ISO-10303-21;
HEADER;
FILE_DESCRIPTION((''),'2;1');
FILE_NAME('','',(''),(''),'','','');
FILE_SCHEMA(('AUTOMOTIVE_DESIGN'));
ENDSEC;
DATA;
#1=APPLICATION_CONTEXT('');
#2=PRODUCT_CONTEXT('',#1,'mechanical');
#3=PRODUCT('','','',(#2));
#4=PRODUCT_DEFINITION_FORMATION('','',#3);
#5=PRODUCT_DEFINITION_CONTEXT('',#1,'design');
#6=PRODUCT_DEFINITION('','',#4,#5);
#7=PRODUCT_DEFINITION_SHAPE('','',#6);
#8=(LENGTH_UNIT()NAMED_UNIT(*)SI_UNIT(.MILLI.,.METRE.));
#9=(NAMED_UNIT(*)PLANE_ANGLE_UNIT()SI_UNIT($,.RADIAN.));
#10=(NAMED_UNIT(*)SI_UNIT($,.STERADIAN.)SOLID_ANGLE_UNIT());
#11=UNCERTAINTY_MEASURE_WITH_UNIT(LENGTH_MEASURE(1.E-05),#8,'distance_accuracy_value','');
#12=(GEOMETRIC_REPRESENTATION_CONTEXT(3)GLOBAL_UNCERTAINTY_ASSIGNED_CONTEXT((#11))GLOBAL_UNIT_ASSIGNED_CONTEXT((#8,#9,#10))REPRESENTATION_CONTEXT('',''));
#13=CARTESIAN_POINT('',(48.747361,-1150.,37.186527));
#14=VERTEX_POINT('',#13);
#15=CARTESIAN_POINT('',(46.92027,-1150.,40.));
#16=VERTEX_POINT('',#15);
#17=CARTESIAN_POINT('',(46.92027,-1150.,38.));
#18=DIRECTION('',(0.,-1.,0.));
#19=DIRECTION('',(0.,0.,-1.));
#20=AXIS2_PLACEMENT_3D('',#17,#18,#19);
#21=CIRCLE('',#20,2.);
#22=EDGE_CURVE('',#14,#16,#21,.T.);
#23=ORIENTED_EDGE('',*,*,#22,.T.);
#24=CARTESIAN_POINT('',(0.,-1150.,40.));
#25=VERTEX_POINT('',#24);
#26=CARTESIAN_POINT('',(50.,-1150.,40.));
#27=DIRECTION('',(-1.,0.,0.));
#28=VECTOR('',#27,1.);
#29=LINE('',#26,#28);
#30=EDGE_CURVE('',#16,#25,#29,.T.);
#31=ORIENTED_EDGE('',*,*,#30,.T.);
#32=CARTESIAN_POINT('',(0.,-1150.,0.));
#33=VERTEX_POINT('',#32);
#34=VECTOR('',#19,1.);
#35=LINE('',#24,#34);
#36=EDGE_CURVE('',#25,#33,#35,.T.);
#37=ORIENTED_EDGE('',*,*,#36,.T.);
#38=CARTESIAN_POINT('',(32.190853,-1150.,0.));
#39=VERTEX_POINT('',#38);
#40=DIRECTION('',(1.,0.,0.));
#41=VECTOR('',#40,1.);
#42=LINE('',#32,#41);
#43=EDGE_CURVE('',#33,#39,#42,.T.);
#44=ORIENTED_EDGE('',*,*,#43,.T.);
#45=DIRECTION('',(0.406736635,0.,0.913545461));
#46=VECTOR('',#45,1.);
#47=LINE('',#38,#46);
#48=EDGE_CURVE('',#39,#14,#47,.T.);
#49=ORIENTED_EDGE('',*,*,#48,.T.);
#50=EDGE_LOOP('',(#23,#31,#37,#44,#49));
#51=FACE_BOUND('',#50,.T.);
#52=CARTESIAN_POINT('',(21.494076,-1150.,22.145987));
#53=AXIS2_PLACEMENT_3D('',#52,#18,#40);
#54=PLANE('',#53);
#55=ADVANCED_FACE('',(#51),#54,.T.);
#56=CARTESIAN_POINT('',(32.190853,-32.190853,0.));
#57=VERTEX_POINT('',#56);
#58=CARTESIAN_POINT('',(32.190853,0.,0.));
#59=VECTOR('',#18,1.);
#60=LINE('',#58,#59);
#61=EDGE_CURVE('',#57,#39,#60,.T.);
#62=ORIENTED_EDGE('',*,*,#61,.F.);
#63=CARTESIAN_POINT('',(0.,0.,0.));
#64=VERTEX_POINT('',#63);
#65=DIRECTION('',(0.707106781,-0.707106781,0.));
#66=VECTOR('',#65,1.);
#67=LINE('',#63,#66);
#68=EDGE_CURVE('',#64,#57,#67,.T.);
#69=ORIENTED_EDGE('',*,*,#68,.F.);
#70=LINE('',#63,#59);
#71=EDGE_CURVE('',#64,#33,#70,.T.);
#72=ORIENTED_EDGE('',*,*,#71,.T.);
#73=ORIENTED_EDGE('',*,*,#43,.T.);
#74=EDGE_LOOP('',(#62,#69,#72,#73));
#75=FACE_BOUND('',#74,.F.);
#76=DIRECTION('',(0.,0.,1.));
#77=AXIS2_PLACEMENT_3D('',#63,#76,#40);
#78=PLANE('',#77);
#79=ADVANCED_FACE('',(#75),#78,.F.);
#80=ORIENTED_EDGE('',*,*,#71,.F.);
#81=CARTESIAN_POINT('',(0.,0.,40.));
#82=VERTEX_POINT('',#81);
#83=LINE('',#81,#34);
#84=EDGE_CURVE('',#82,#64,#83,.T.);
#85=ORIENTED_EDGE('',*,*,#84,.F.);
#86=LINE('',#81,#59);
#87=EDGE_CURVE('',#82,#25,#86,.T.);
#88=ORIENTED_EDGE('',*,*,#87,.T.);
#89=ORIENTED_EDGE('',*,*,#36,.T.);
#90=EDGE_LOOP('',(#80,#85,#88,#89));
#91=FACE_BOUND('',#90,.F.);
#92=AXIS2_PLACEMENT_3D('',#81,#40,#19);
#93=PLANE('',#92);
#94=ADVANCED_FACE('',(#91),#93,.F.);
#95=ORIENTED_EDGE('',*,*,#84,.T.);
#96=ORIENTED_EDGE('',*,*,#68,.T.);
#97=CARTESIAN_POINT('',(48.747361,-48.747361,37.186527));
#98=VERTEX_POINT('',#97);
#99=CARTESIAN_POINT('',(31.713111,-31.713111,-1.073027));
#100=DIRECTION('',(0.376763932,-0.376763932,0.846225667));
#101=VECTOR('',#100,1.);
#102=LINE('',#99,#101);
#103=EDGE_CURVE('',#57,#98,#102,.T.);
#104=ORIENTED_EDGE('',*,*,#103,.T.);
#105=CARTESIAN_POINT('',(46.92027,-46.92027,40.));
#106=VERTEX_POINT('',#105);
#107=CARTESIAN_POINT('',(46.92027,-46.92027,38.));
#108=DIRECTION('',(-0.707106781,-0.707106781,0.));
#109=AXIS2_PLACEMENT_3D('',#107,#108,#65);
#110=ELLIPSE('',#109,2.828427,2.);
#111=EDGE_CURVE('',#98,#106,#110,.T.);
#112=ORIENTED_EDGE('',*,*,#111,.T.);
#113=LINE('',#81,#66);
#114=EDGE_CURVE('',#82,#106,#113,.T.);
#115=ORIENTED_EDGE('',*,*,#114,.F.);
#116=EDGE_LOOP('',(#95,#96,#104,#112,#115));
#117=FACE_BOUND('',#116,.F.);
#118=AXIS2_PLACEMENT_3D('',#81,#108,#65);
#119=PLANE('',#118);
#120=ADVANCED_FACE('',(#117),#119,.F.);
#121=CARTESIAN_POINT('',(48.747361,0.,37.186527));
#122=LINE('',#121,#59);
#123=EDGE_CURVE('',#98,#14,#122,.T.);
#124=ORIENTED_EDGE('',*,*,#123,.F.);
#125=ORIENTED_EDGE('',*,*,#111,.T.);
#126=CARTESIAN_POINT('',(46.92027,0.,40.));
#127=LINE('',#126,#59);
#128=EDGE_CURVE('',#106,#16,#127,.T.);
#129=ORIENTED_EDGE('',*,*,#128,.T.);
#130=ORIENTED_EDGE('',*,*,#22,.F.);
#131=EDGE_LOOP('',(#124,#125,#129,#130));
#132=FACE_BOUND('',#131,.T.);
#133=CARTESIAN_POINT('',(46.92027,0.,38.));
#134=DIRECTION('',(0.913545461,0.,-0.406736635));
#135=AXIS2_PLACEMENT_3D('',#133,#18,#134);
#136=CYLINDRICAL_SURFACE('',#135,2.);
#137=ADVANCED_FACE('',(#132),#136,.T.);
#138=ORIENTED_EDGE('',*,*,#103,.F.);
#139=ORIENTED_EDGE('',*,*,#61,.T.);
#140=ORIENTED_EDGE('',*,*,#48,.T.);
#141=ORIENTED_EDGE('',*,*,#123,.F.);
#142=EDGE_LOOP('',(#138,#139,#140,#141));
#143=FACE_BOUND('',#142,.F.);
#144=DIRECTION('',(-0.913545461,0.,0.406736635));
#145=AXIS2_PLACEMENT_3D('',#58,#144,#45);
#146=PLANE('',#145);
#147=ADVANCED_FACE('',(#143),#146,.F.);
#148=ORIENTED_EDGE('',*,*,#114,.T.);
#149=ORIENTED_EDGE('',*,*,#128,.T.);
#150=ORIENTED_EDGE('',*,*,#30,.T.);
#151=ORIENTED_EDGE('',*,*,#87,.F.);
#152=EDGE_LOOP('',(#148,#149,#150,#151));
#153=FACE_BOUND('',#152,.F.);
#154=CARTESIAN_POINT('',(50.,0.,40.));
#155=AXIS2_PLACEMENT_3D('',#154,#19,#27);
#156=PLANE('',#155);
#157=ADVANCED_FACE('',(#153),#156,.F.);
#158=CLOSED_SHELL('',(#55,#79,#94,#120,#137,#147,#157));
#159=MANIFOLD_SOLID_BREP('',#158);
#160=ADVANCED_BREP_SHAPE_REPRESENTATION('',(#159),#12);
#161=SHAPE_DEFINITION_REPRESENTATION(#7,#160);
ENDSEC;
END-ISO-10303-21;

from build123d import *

# Parameters (mm, degrees)
F1_DEPTH = 1150
F2_R     = 2
F4_DEPTH = 40.001


with BuildPart() as f1:
    # F0 (on Front) → F1 (new body)
    with BuildSketch(Plane.XZ):
        Polygon((0, 40), (0, 0), (32.190853, 0), (50, 40), align=None)
    extrude(amount=F1_DEPTH)

    # F2
    f2_edges = [f1.edges().sort_by_distance(p)[0] for p in [
        (50, -575, 40),
    ]]
    fillet(f2_edges, radius=F2_R)

    # F3 (on face) → F4 (cut, through all)
    with BuildSketch(Plane.XY.offset(40)):
        Polygon((46.92027, 0), (46.92027, -46.92027), (57.095478, -57.095478), (57.004068, 0), align=None)
        Polygon((46.92027, 0), (0, 0), (46.92027, -46.92027), align=None)
    extrude(amount=-F4_DEPTH, mode=Mode.SUBTRACT)


solid = f1.part
